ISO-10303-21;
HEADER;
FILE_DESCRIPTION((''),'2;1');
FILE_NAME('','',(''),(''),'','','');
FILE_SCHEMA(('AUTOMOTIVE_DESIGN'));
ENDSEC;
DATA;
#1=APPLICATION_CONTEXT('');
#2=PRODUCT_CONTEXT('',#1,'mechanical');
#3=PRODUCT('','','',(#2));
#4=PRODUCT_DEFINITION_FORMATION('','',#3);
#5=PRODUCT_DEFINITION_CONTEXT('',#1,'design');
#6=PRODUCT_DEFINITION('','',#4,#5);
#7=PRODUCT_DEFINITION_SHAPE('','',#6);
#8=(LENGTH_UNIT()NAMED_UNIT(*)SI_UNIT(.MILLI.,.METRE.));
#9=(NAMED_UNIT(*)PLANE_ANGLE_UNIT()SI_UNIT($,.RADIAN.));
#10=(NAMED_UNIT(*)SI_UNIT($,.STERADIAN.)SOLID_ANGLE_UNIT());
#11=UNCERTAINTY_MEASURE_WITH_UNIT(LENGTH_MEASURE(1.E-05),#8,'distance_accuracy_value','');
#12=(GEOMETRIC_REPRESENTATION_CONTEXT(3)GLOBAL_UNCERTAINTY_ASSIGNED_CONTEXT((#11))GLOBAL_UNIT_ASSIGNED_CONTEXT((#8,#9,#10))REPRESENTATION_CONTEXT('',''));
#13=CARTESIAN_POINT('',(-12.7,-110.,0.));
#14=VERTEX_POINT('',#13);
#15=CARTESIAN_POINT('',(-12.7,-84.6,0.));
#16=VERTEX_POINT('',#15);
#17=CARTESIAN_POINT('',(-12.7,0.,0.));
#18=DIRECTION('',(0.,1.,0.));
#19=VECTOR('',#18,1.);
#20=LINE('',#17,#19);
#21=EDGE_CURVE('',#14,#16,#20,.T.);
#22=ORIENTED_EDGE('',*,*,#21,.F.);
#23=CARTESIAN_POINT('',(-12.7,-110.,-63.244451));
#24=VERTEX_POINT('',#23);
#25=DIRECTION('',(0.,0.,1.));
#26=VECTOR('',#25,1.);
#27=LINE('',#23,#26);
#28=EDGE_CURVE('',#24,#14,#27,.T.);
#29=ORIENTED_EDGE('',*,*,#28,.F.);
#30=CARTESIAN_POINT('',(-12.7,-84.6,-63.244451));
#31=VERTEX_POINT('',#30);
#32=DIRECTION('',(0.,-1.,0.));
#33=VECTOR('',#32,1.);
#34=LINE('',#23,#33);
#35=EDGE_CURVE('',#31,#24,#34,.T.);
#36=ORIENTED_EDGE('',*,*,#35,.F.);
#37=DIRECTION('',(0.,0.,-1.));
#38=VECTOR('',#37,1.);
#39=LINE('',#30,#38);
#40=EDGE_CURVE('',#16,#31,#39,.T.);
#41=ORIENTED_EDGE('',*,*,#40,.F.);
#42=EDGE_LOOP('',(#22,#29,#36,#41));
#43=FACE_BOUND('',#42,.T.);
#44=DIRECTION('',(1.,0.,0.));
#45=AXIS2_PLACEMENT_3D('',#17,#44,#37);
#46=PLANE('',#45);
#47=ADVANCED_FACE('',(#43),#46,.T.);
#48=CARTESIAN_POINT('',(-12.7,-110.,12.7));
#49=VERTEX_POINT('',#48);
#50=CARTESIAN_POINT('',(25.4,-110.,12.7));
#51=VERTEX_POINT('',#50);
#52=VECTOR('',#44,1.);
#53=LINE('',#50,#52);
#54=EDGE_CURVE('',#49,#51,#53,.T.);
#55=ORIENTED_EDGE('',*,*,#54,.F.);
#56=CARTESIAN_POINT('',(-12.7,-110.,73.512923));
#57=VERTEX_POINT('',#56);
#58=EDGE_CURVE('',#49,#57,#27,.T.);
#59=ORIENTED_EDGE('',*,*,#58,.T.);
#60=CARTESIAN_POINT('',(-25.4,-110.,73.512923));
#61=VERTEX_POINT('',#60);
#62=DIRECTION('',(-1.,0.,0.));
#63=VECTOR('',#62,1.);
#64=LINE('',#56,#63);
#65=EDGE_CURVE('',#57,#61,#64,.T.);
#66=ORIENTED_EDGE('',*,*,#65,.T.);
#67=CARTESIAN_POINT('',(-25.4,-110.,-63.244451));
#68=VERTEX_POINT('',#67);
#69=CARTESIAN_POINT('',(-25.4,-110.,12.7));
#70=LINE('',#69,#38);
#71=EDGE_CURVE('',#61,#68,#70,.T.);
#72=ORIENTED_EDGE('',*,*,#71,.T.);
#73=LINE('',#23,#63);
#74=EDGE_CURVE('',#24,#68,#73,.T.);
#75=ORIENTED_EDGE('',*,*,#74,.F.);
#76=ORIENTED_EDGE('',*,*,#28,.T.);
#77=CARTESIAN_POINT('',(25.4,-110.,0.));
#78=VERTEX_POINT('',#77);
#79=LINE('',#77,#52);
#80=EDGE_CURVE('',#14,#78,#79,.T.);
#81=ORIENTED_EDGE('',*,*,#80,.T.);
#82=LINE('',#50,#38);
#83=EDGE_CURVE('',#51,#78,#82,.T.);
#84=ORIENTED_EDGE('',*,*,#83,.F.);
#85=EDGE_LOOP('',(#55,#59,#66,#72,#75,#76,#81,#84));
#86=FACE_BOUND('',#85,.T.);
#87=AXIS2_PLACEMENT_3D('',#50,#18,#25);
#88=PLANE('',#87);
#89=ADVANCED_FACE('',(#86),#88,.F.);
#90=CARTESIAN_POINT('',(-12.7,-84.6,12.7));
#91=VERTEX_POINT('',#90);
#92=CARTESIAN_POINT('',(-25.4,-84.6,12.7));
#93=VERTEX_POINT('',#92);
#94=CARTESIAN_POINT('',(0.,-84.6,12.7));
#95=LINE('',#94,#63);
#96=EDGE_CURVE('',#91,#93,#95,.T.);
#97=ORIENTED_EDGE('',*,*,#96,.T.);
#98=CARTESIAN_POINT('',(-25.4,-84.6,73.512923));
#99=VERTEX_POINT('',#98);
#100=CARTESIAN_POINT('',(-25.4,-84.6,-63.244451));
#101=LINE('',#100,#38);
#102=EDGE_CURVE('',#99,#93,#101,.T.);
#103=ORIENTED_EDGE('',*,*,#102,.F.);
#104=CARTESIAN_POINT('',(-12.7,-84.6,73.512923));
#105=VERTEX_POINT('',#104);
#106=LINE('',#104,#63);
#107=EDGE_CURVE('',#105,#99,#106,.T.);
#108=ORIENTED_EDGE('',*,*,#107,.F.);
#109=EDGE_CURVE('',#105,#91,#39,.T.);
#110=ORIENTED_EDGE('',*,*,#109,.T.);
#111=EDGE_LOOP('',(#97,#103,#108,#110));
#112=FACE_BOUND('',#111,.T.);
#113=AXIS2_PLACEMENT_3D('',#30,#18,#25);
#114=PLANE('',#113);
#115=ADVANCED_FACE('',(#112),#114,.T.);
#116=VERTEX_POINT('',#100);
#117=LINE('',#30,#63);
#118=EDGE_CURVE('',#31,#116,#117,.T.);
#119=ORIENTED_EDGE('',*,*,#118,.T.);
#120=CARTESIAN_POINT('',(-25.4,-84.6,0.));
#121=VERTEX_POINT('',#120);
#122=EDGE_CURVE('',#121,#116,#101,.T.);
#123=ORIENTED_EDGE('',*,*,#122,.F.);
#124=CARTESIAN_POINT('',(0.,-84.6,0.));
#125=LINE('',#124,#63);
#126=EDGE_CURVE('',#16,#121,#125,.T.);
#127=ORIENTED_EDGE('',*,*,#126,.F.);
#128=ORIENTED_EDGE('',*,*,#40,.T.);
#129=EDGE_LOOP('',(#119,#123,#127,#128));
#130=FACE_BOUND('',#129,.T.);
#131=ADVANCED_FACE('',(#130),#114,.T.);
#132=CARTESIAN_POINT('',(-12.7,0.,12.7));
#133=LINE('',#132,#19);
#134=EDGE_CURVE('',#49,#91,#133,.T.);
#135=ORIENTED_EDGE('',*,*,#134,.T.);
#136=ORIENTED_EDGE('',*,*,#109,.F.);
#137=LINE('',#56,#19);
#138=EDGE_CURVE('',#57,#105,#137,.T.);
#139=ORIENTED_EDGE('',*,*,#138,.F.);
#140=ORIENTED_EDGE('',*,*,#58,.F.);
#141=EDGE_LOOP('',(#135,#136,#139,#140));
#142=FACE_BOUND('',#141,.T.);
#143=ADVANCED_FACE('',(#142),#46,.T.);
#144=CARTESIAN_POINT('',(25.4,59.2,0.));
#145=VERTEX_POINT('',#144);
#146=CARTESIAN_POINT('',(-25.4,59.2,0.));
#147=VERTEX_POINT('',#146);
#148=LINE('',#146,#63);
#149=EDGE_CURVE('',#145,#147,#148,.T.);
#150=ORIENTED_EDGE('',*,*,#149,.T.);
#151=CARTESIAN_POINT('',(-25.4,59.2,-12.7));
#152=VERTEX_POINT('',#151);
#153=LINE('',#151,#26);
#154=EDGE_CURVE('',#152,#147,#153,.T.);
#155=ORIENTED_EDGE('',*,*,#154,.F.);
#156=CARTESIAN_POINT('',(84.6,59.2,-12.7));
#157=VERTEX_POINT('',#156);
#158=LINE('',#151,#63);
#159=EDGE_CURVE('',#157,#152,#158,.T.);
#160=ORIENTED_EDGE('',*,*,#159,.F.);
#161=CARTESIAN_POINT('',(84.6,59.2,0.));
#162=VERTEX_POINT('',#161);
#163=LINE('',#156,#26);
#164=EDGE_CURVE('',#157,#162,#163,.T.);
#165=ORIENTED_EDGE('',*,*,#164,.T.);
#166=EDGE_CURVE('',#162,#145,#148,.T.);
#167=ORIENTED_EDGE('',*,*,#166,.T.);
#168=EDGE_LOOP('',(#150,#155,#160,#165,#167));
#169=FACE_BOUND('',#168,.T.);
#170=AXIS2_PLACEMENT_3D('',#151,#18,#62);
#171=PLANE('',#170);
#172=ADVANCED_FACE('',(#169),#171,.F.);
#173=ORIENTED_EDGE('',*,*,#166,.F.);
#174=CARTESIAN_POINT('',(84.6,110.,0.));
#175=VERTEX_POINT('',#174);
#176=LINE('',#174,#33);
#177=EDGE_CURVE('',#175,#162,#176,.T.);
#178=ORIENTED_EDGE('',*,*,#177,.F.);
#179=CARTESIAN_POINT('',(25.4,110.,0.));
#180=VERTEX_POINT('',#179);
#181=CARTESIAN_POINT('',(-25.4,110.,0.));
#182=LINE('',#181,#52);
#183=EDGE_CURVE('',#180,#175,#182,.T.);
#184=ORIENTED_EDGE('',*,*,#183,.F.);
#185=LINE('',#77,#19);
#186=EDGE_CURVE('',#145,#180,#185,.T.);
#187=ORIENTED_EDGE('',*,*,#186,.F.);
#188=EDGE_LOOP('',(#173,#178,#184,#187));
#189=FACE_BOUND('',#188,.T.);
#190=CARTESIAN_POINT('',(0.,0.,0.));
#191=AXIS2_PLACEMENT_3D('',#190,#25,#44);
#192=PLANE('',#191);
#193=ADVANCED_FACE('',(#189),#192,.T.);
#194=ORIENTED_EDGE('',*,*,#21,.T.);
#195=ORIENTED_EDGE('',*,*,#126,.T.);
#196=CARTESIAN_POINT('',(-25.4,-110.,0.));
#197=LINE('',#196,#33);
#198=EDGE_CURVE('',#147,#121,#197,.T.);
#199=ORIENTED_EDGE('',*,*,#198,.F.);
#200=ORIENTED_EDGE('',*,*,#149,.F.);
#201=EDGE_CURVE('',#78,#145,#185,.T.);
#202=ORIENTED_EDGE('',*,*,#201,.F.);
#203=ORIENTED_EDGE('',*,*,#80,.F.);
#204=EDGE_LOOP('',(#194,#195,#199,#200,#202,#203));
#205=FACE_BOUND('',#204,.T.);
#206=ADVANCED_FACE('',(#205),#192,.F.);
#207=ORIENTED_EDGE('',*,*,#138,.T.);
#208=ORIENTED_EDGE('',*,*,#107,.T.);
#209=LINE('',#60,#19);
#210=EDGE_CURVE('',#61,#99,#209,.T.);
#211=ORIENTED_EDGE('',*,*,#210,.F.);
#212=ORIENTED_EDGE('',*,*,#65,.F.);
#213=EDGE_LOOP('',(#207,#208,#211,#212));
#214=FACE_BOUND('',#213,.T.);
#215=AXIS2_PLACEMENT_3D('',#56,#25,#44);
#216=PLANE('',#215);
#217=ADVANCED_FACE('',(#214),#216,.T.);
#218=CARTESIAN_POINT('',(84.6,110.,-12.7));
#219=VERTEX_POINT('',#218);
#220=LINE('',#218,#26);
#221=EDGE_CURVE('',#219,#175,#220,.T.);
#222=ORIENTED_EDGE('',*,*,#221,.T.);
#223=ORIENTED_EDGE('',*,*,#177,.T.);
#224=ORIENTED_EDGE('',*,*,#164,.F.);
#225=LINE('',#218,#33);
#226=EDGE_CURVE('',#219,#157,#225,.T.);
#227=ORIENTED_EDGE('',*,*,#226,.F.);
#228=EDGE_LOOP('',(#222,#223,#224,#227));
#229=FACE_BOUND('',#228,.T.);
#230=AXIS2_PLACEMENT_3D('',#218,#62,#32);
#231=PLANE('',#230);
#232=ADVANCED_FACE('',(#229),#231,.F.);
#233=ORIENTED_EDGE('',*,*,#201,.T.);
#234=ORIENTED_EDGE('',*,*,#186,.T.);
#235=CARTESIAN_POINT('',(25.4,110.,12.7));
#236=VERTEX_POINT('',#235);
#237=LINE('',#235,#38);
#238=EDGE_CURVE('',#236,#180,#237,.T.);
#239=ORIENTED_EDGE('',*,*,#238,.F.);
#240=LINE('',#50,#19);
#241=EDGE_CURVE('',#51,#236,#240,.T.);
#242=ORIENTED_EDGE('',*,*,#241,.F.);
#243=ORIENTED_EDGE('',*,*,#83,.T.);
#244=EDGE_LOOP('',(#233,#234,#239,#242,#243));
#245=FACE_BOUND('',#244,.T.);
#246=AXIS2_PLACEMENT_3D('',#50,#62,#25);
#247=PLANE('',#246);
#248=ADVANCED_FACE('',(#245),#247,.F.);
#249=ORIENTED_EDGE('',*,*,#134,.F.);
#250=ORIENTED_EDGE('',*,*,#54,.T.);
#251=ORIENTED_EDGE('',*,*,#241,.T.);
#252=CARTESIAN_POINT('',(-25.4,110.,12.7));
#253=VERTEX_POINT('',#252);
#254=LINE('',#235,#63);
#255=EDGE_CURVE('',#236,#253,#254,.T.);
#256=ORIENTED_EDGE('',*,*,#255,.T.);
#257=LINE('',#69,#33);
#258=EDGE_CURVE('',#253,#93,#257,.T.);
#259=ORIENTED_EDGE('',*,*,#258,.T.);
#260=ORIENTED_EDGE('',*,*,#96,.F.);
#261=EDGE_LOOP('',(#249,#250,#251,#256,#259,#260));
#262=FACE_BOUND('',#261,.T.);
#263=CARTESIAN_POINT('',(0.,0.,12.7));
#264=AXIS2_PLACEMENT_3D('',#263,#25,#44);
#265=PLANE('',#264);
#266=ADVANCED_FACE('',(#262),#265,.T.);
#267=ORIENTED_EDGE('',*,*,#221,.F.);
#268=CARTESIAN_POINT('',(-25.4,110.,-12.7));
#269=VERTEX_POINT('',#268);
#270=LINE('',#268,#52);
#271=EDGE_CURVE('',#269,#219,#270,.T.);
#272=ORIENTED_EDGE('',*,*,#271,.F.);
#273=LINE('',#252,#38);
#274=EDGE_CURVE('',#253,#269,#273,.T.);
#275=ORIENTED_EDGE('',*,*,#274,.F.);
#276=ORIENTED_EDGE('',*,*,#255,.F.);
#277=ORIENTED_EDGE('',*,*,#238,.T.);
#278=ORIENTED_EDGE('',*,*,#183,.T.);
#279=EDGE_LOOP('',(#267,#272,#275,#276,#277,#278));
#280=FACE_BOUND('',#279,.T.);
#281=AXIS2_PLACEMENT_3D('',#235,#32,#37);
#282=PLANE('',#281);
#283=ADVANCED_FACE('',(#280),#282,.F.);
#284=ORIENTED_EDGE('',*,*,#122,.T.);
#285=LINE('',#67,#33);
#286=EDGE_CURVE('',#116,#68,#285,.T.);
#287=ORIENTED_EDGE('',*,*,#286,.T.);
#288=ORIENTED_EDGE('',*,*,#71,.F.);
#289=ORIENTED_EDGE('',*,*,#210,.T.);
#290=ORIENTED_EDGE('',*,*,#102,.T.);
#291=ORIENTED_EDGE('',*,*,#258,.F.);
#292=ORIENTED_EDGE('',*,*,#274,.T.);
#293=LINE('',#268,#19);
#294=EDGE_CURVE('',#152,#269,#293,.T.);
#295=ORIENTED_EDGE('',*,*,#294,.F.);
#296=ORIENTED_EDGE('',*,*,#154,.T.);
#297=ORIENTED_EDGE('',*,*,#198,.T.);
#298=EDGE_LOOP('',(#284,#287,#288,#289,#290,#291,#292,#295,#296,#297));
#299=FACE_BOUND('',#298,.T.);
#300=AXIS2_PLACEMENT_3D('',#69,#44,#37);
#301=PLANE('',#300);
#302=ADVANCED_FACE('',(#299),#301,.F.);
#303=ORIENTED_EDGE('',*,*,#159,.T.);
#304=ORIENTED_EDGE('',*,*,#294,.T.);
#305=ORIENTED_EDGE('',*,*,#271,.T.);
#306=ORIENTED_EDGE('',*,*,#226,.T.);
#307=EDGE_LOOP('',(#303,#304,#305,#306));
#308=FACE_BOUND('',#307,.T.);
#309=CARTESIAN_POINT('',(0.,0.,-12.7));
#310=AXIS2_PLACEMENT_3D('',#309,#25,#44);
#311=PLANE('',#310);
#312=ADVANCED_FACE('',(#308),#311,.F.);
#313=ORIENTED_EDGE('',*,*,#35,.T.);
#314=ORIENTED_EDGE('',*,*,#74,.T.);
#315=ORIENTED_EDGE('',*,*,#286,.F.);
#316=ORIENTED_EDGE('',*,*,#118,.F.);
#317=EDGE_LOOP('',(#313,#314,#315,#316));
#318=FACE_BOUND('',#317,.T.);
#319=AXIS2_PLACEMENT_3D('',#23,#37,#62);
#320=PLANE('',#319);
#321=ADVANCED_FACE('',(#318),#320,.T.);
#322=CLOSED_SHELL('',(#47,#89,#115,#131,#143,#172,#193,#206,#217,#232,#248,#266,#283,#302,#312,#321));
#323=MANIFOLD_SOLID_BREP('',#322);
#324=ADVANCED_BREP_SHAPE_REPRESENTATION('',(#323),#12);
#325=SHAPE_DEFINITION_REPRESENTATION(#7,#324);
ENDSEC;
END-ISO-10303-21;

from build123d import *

# Parameters (mm, degrees)
CROQUIS1_W              = 50.8
CROQUIS1_H              = 220
SALIENTE_EXTRUIR1_DEPTH = 12.7
CROQUIS2_W              = 110
CROQUIS2_H              = 50.8
SALIENTE_EXTRUIR2_DEPTH = 12.7
CROQUIS3_W              = 136.757374057
CROQUIS3_H              = 25.4
SALIENTE_EXTRUIR3_DEPTH = 12.7


with BuildPart() as part:
    # Croquis1 → Saliente-Extruir1 (new body)
    with BuildSketch(Plane.XY):
        Rectangle(CROQUIS1_W, CROQUIS1_H)
    extrude(amount=SALIENTE_EXTRUIR1_DEPTH)

    # Croquis2 → Saliente-Extruir2 (add)
    with BuildSketch(Plane(origin=(0, 0, 0), x_dir=(-1, 0, 0), z_dir=(0, 0, -1))):
        with Locations((-29.6, 84.6)):
            Rectangle(CROQUIS2_W, CROQUIS2_H)
    extrude(amount=SALIENTE_EXTRUIR2_DEPTH)

    # Croquis3 → Saliente-Extruir3 (add)
    with BuildSketch(Plane.ZY.offset(25.4)):
        with Locations((5.134235887, -97.3)):
            Rectangle(CROQUIS3_W, CROQUIS3_H)
    extrude(amount=-SALIENTE_EXTRUIR3_DEPTH)


solid = part.part
